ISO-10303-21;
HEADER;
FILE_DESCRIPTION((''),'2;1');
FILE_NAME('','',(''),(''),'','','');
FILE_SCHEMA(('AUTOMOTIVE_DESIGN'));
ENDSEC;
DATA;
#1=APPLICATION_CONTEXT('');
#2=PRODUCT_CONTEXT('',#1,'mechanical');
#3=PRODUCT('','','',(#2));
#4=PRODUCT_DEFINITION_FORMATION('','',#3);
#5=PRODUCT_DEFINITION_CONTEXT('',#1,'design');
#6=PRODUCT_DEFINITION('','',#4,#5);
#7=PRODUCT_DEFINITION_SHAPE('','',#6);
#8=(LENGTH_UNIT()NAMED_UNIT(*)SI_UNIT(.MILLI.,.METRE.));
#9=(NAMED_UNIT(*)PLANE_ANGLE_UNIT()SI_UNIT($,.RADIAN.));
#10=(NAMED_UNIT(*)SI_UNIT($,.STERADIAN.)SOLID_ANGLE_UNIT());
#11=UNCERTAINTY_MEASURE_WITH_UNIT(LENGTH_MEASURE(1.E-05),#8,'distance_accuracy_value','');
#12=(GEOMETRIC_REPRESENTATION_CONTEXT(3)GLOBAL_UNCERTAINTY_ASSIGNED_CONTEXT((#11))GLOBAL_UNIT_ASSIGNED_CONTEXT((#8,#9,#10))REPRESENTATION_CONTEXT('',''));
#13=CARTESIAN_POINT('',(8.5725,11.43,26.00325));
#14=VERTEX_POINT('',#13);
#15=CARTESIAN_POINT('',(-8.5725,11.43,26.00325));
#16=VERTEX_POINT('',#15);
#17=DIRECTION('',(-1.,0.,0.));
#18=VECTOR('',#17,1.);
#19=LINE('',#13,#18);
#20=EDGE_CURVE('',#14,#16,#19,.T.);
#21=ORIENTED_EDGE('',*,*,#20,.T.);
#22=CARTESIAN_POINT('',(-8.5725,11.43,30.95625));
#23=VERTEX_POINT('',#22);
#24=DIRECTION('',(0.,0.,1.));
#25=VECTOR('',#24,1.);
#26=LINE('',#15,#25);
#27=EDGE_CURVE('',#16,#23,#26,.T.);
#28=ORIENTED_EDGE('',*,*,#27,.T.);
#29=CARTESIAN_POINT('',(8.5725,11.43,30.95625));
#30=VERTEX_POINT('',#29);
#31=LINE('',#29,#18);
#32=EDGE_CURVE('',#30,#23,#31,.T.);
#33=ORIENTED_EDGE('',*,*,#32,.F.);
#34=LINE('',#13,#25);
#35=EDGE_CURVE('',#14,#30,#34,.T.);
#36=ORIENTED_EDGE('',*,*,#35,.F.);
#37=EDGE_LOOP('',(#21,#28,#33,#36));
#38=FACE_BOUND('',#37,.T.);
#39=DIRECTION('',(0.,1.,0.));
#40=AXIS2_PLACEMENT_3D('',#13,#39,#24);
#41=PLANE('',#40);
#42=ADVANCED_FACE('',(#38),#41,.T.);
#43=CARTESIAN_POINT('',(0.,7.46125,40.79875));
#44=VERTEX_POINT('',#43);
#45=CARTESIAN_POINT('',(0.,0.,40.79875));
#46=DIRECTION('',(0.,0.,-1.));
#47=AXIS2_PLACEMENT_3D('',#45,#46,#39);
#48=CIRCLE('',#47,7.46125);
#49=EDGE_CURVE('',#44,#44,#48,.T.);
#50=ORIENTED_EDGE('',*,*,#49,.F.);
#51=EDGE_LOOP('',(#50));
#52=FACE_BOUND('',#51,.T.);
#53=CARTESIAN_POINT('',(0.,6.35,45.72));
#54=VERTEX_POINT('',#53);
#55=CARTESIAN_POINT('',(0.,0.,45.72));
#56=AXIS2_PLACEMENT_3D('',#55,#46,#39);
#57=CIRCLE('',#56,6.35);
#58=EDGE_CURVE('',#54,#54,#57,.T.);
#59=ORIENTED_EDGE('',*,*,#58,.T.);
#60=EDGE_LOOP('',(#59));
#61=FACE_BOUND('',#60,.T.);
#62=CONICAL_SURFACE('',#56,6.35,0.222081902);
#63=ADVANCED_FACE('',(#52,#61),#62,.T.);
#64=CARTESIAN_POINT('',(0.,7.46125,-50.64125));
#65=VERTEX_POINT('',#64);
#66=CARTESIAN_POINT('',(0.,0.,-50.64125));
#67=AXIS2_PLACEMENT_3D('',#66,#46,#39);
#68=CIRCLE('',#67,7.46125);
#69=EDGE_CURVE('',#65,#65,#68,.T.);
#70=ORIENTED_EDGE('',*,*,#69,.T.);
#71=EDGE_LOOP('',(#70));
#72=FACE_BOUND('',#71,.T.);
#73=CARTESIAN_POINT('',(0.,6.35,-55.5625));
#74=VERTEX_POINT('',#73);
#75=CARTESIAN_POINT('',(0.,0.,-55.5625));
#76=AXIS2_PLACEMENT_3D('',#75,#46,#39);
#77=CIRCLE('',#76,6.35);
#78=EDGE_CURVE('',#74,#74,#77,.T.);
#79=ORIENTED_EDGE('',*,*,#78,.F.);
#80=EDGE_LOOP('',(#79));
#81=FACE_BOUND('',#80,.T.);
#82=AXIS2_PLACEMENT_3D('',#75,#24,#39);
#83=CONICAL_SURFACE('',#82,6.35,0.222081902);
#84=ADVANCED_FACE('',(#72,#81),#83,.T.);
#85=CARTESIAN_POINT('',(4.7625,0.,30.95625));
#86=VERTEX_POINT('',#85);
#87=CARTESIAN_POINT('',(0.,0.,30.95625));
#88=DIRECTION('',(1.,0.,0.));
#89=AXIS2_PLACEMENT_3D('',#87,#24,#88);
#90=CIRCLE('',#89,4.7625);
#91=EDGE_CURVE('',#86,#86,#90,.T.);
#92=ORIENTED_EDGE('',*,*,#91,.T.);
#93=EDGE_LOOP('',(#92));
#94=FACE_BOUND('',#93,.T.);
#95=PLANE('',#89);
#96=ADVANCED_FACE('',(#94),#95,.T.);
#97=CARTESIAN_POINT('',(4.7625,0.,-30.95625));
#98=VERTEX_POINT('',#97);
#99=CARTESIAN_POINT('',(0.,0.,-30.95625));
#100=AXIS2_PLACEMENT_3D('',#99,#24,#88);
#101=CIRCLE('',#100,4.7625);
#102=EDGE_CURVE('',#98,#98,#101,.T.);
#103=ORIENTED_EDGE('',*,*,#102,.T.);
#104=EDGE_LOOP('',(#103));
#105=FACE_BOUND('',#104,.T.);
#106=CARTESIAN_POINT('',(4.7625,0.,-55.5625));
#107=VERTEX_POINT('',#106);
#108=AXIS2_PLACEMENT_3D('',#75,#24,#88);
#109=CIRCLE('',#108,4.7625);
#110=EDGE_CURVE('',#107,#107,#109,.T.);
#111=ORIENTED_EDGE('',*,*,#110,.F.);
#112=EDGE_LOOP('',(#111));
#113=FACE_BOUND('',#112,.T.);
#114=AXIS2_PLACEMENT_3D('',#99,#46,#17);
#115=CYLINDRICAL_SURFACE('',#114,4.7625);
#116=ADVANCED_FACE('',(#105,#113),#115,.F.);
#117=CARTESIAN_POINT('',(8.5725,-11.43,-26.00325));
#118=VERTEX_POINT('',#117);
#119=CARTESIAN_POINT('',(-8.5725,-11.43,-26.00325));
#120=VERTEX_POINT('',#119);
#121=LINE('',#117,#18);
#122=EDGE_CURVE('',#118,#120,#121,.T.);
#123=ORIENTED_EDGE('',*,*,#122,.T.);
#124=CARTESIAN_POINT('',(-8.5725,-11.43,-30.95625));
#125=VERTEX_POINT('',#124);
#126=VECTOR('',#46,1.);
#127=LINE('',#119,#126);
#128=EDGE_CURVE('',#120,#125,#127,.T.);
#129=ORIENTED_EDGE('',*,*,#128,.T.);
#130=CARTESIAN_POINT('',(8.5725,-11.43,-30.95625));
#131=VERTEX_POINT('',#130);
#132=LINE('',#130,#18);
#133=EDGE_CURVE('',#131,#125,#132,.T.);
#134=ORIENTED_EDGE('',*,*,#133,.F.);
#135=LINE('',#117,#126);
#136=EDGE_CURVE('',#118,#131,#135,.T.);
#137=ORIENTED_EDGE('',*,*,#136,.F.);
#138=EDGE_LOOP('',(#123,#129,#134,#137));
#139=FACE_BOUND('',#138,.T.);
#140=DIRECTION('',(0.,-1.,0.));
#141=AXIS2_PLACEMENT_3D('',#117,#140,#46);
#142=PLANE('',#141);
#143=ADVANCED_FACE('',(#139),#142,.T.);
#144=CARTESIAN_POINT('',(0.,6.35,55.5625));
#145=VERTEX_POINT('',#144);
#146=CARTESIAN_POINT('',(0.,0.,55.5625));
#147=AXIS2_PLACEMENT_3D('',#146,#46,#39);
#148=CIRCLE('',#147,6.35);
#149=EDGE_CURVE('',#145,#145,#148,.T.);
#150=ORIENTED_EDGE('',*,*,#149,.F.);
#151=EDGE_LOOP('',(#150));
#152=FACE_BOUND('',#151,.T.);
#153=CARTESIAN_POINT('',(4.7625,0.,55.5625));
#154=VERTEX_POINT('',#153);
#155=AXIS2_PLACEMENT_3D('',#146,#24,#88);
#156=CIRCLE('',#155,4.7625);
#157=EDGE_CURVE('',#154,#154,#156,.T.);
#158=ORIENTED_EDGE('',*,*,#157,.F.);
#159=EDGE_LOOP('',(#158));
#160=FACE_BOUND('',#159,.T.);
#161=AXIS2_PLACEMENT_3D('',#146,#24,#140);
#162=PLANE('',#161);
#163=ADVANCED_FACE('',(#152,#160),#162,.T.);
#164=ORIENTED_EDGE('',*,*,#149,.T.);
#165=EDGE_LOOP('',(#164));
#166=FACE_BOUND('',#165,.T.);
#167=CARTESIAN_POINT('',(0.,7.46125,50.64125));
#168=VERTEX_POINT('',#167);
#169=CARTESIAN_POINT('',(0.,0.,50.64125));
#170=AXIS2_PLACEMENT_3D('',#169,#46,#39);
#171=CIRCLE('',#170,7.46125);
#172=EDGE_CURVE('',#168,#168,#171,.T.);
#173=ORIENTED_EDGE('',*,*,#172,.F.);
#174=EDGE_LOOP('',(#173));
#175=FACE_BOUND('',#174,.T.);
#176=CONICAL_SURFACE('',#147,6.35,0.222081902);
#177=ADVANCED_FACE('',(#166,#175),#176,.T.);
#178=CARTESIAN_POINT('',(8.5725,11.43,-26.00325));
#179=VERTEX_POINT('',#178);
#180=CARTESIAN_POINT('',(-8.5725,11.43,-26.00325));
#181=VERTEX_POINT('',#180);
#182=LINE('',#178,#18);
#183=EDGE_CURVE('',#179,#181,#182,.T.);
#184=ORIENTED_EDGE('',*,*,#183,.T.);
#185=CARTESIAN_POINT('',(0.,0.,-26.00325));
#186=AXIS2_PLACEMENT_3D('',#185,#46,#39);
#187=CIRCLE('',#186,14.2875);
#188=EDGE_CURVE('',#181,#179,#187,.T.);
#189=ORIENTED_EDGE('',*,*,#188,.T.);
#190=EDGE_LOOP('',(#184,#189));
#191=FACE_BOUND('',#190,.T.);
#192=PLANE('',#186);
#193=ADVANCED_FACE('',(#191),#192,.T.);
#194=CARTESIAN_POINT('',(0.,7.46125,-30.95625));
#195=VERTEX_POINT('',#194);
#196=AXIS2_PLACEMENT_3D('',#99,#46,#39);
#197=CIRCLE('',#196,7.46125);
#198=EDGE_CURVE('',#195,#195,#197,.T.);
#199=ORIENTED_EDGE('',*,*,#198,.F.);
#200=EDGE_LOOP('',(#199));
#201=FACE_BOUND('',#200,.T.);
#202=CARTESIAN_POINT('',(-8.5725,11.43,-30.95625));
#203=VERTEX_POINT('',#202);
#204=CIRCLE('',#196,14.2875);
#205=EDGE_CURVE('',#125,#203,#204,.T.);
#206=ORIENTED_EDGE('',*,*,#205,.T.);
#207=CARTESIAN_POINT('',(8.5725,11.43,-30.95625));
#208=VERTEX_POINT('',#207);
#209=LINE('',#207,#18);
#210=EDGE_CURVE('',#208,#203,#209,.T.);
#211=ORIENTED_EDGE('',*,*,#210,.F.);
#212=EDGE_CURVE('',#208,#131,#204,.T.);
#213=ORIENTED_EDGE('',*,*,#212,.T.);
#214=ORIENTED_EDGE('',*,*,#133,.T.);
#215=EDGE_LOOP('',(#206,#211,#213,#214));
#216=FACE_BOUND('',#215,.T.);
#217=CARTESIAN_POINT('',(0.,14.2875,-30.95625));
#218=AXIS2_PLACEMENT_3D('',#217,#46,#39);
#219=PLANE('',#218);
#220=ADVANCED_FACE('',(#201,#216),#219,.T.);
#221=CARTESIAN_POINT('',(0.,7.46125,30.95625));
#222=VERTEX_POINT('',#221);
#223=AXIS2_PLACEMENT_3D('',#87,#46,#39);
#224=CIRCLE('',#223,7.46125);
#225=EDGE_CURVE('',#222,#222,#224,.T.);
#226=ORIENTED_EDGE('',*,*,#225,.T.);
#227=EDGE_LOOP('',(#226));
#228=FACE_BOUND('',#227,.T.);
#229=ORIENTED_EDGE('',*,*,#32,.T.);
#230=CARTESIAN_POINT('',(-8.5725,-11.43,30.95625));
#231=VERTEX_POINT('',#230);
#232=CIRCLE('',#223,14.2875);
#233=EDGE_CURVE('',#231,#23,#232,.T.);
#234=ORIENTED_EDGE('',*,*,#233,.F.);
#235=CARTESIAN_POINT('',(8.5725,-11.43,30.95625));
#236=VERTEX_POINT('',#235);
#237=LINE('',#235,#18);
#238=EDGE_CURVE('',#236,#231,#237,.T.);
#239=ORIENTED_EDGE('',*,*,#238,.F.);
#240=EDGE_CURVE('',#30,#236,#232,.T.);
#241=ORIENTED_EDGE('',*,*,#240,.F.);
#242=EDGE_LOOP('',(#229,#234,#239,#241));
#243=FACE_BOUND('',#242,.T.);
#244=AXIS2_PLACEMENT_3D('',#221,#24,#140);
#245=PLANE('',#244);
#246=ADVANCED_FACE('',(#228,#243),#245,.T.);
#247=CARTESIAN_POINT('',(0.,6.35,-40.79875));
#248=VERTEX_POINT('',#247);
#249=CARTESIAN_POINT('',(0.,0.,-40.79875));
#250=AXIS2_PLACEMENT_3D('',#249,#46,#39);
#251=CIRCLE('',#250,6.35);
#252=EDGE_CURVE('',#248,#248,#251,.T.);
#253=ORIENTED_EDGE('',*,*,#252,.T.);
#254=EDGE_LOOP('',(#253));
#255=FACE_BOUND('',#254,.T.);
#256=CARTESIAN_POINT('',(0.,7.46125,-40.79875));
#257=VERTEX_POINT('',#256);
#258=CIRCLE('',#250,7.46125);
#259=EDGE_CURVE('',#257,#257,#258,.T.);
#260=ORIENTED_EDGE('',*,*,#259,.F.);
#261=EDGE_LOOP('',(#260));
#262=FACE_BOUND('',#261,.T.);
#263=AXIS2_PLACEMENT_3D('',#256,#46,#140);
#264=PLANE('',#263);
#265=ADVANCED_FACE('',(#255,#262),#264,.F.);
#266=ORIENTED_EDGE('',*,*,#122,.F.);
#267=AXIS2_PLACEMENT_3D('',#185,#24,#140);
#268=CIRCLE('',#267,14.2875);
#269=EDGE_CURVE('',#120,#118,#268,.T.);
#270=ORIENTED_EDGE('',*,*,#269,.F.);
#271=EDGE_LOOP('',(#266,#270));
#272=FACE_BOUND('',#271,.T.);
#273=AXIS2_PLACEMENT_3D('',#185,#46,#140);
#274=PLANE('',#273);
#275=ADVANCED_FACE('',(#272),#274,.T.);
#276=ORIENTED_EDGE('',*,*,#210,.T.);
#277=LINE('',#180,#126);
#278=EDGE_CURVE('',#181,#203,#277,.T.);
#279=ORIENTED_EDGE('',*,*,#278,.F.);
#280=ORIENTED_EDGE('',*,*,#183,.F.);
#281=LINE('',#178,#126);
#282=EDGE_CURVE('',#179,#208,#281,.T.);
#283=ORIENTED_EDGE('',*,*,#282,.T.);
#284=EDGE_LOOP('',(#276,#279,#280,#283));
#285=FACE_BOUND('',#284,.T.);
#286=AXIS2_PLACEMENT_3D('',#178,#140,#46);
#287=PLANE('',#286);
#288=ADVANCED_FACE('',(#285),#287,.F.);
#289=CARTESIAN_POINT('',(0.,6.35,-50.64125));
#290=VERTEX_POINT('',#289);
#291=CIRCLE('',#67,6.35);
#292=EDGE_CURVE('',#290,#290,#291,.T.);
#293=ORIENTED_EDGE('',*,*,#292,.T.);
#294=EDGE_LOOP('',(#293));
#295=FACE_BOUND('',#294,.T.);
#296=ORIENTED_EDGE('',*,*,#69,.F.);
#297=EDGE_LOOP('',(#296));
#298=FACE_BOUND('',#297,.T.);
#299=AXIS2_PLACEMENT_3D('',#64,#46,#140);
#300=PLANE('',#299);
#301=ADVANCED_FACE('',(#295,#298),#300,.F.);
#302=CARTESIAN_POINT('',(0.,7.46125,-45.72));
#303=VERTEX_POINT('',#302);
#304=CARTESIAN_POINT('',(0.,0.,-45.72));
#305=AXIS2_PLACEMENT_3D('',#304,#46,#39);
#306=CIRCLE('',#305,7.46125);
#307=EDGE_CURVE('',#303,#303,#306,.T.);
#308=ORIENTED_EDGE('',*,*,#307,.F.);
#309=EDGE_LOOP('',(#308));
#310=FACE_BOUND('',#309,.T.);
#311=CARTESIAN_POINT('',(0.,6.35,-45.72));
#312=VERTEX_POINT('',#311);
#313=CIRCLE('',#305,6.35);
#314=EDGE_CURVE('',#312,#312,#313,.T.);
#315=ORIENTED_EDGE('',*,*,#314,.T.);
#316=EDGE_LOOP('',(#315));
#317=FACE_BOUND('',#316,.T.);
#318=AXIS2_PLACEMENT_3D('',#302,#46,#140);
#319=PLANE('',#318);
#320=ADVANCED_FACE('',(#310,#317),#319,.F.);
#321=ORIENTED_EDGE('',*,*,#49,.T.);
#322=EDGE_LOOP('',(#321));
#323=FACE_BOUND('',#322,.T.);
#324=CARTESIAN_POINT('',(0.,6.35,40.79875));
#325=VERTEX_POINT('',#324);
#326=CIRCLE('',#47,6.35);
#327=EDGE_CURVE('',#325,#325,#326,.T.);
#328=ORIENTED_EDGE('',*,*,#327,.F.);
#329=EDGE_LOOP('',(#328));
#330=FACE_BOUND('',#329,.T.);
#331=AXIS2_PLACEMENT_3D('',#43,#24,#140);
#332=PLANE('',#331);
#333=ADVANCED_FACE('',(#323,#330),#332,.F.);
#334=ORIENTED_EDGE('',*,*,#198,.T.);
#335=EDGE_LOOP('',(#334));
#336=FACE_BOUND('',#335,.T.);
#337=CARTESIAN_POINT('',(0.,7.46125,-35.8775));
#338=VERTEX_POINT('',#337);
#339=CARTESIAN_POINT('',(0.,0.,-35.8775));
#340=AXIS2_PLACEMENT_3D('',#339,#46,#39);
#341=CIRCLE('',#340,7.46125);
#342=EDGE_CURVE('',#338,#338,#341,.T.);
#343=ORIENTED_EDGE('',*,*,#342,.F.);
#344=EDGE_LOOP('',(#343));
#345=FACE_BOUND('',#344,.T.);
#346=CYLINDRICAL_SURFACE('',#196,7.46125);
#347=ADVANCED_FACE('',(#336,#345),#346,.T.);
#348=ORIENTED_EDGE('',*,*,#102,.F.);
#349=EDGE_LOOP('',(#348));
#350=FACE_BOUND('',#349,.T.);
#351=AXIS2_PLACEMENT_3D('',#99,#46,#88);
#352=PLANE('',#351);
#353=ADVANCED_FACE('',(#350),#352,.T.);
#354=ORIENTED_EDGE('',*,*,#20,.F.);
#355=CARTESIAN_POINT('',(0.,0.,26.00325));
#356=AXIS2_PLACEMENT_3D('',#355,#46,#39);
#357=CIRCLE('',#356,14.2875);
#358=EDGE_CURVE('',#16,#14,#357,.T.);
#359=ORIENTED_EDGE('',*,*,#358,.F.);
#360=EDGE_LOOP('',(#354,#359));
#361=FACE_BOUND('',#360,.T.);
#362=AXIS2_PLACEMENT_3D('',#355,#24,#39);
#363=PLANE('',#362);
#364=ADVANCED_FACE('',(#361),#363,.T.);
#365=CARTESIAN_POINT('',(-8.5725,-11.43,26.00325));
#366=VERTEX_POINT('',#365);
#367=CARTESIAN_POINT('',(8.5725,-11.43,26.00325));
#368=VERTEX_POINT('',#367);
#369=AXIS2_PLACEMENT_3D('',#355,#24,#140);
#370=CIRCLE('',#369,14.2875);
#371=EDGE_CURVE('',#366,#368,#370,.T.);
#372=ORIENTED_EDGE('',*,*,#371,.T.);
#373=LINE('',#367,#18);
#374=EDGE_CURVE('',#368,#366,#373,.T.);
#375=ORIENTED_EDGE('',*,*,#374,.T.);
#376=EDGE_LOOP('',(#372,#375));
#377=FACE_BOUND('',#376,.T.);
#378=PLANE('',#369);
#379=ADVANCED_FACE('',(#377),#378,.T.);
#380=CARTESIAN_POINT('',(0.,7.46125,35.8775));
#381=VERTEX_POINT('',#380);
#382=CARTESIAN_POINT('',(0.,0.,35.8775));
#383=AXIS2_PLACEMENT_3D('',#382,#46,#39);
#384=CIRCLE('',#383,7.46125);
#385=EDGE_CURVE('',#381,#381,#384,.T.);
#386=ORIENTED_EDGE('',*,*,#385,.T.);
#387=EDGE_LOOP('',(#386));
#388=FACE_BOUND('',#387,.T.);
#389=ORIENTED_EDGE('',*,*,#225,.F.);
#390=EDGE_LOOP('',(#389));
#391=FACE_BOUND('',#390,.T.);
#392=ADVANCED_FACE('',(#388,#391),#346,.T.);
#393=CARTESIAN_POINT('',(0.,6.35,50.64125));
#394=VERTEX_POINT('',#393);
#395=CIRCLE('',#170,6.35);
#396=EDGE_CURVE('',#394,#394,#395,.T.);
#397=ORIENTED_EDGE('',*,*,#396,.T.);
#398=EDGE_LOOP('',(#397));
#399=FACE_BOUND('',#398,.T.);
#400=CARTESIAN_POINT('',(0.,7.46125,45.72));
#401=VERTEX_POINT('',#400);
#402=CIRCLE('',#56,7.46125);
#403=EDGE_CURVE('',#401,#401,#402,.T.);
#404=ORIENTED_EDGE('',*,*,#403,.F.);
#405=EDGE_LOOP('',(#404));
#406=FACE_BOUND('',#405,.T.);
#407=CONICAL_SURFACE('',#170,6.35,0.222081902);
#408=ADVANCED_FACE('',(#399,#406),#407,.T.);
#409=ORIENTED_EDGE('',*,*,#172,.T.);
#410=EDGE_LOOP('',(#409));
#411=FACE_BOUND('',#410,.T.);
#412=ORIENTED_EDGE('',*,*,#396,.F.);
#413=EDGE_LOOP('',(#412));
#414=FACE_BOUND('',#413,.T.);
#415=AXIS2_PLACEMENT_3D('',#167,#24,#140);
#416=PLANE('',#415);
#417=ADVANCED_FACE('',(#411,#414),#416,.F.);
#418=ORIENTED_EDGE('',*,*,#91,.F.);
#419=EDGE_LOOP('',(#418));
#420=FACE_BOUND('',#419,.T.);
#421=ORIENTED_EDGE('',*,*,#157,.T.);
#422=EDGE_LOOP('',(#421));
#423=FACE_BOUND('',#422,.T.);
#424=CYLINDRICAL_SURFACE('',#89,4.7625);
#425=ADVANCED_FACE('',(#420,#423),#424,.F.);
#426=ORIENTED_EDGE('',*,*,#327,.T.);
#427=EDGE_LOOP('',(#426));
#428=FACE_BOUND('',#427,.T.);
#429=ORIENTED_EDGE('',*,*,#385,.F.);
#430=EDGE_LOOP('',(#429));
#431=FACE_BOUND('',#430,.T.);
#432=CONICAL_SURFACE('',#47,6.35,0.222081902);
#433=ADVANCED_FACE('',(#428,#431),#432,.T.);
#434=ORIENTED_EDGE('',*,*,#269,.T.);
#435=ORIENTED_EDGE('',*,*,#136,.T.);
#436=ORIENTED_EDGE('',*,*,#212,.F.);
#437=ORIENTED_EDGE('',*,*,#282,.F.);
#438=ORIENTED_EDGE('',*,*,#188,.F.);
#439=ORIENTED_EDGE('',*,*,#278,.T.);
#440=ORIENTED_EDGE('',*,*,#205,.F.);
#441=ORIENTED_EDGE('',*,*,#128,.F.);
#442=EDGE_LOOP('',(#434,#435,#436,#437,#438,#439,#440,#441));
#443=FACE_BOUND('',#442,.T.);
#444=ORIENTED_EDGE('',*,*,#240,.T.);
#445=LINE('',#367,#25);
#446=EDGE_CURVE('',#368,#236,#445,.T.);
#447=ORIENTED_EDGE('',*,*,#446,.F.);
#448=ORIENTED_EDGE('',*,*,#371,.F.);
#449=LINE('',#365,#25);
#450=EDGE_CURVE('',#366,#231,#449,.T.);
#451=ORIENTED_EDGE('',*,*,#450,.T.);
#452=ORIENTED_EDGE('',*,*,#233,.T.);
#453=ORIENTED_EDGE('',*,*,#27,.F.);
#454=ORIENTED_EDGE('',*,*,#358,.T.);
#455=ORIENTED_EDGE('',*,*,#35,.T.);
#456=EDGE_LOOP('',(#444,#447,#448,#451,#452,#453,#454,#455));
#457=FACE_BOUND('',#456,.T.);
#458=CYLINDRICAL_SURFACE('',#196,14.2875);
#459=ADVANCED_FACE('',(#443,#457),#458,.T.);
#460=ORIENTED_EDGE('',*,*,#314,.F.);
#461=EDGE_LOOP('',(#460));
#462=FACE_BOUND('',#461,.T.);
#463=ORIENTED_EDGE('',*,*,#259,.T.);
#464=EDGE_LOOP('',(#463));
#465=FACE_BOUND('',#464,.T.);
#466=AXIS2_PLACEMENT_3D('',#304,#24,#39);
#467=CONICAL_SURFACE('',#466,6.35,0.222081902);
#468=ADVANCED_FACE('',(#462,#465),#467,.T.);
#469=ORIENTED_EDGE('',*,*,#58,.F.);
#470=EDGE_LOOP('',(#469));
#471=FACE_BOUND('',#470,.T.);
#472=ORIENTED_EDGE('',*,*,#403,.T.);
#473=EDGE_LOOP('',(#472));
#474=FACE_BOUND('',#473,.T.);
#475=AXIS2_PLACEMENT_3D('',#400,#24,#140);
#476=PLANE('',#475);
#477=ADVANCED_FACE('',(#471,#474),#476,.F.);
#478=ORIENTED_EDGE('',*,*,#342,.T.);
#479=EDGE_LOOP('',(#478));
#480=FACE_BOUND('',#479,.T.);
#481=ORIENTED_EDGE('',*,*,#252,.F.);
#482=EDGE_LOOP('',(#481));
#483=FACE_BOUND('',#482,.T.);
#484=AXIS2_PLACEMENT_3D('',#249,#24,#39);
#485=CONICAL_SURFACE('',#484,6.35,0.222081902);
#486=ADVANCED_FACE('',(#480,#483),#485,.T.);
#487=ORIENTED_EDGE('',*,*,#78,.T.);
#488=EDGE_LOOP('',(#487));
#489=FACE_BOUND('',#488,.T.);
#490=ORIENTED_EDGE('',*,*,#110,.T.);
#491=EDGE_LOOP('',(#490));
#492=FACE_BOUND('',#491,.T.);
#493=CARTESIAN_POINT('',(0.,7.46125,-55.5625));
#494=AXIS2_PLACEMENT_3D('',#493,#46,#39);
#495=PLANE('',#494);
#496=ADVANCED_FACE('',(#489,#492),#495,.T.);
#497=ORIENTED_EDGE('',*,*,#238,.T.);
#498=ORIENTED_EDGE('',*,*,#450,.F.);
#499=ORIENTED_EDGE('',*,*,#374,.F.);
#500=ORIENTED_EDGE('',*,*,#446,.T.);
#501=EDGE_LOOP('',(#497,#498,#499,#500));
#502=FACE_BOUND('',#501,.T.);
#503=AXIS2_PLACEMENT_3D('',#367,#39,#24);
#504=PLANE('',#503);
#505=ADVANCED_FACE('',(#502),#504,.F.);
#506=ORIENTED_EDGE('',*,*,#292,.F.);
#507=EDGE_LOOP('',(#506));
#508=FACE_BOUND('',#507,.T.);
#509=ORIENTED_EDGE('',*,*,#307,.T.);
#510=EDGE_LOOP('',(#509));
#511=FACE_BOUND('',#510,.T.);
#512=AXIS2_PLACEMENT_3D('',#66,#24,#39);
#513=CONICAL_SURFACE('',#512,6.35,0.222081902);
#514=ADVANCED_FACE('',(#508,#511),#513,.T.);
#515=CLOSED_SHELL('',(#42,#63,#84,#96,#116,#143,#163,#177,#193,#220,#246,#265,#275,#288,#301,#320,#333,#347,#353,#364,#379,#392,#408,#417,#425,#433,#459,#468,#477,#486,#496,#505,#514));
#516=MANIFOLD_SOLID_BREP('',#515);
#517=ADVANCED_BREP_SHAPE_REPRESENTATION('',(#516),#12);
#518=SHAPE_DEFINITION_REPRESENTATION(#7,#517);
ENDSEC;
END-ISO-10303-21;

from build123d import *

# Parameters (mm, degrees)
CUT_EXTRUDE1_DEPTH   = 4.953
MIRROR2_COPY_1_DEPTH = 4.953
LPATTERN1_COUNT      = 4
LPATTERN1_PITCH      = 4.92125
SKETCH5_R            = 4.7625
CUT_EXTRUDE2_DEPTH   = 24.60625


with BuildPart() as part:
    # Sketch2 → Revolve1 (revolve)
    with BuildSketch(Plane(origin=(0, 0, 0), x_dir=(0, 0, -1), z_dir=(1, 0, 0))):
        Polygon((-55.5625, 0), (-55.5625, 7.46125), (-30.95625, 7.46125), (-30.95625, 14.2875), (30.95625, 14.2875), (30.95625, 7.46125), (55.5625, 7.46125), (55.5625, 0), align=None)
    revolve(axis=Axis((0, 0, -30.95625), (0, 0, 1)))

    # Sketch3 → Cut-Extrude1 (cut)
    with BuildSketch(Plane(origin=(0, 0, -30.95625), x_dir=(-1, 0, 0), z_dir=(0, 0, -1))):
        with BuildLine():
            Line((-8.5725, 11.43), (8.5725, 11.43))
            ThreePointArc((8.5725, 11.43), (0, 14.2875), (-8.5725, 11.43))
        make_face()
    cut_extrude1 = extrude(amount=-CUT_EXTRUDE1_DEPTH, mode=Mode.SUBTRACT)

    # Mirror1: Cut-Extrude1 across plane
    add(cut_extrude1.mirror(Plane.ZX), mode=Mode.SUBTRACT)

    # Mirror2: Cut-Extrude1 across plane
    add(cut_extrude1.mirror(Plane.XY), mode=Mode.SUBTRACT)

    # Mirror2 copy 1 sketch → Mirror2 copy 1 (cut)
    with BuildSketch(Plane(origin=(0, 0, 30.95625), x_dir=(-1, 0, 0), z_dir=(0, 0, 1))):
        with BuildLine():
            Line((-8.5725, 11.43), (8.5725, 11.43))
            ThreePointArc((8.5725, 11.43), (0, 14.2875), (-8.5725, 11.43))
        make_face()
    extrude(amount=-MIRROR2_COPY_1_DEPTH, mode=Mode.SUBTRACT)

    # Sketch4 → Cut-Revolve1 (revolve, cut)
    with BuildSketch(Plane(origin=(0, 0, 0), x_dir=(0, 0, -1), z_dir=(1, 0, 0))):
        Polygon((-55.5625, 7.46125), (-55.5625, 6.35), (-50.64125, 7.46125), align=None)
    cut_revolve1 = revolve(axis=Axis((0, 0, -55.5625), (0, 0, 1)), mode=Mode.SUBTRACT)

    # LPattern1: Cut-Revolve1 ×4
    with Locations(*[(0, 0, -i * LPATTERN1_PITCH) for i in range(1, LPATTERN1_COUNT)]):
        add(cut_revolve1, mode=Mode.SUBTRACT)

    # Mirror3: Cut-Revolve1 across plane
    add(cut_revolve1.mirror(Plane.XY), mode=Mode.SUBTRACT)

    # Mirror3 copy 1 sketch → Mirror3 copy 1 (revolve, cut)
    with BuildSketch(Plane(origin=(0, 0, 4.92125), x_dir=(0, 0, 1), z_dir=(1, 0, 0))):
        Polygon((-55.5625, -7.46125), (-55.5625, -6.35), (-50.64125, -7.46125), align=None)
    revolve(axis=Axis((0, 0, 60.48375), (0, 0, 1)), mode=Mode.SUBTRACT)

    # Mirror3 copy 2 sketch → Mirror3 copy 2 (revolve, cut)
    with BuildSketch(Plane(origin=(0, 0, 9.8425), x_dir=(0, 0, 1), z_dir=(1, 0, 0))):
        Polygon((-55.5625, -7.46125), (-55.5625, -6.35), (-50.64125, -7.46125), align=None)
    revolve(axis=Axis((0, 0, 65.405), (0, 0, 1)), mode=Mode.SUBTRACT)

    # Mirror3 copy 3 sketch → Mirror3 copy 3 (revolve, cut)
    with BuildSketch(Plane(origin=(0, 0, 14.76375), x_dir=(0, 0, 1), z_dir=(1, 0, 0))):
        Polygon((-55.5625, -7.46125), (-55.5625, -6.35), (-50.64125, -7.46125), align=None)
    revolve(axis=Axis((0, 0, 70.32625), (0, 0, 1)), mode=Mode.SUBTRACT)

    # Sketch5 → Cut-Extrude2 (cut)
    with BuildSketch(Plane.XY.offset(55.5625)):
        Circle(SKETCH5_R)
    cut_extrude2 = extrude(amount=-CUT_EXTRUDE2_DEPTH, mode=Mode.SUBTRACT)

    # Mirror4: Cut-Extrude2 across plane
    add(cut_extrude2.mirror(Plane.XY), mode=Mode.SUBTRACT)


solid = part.part
